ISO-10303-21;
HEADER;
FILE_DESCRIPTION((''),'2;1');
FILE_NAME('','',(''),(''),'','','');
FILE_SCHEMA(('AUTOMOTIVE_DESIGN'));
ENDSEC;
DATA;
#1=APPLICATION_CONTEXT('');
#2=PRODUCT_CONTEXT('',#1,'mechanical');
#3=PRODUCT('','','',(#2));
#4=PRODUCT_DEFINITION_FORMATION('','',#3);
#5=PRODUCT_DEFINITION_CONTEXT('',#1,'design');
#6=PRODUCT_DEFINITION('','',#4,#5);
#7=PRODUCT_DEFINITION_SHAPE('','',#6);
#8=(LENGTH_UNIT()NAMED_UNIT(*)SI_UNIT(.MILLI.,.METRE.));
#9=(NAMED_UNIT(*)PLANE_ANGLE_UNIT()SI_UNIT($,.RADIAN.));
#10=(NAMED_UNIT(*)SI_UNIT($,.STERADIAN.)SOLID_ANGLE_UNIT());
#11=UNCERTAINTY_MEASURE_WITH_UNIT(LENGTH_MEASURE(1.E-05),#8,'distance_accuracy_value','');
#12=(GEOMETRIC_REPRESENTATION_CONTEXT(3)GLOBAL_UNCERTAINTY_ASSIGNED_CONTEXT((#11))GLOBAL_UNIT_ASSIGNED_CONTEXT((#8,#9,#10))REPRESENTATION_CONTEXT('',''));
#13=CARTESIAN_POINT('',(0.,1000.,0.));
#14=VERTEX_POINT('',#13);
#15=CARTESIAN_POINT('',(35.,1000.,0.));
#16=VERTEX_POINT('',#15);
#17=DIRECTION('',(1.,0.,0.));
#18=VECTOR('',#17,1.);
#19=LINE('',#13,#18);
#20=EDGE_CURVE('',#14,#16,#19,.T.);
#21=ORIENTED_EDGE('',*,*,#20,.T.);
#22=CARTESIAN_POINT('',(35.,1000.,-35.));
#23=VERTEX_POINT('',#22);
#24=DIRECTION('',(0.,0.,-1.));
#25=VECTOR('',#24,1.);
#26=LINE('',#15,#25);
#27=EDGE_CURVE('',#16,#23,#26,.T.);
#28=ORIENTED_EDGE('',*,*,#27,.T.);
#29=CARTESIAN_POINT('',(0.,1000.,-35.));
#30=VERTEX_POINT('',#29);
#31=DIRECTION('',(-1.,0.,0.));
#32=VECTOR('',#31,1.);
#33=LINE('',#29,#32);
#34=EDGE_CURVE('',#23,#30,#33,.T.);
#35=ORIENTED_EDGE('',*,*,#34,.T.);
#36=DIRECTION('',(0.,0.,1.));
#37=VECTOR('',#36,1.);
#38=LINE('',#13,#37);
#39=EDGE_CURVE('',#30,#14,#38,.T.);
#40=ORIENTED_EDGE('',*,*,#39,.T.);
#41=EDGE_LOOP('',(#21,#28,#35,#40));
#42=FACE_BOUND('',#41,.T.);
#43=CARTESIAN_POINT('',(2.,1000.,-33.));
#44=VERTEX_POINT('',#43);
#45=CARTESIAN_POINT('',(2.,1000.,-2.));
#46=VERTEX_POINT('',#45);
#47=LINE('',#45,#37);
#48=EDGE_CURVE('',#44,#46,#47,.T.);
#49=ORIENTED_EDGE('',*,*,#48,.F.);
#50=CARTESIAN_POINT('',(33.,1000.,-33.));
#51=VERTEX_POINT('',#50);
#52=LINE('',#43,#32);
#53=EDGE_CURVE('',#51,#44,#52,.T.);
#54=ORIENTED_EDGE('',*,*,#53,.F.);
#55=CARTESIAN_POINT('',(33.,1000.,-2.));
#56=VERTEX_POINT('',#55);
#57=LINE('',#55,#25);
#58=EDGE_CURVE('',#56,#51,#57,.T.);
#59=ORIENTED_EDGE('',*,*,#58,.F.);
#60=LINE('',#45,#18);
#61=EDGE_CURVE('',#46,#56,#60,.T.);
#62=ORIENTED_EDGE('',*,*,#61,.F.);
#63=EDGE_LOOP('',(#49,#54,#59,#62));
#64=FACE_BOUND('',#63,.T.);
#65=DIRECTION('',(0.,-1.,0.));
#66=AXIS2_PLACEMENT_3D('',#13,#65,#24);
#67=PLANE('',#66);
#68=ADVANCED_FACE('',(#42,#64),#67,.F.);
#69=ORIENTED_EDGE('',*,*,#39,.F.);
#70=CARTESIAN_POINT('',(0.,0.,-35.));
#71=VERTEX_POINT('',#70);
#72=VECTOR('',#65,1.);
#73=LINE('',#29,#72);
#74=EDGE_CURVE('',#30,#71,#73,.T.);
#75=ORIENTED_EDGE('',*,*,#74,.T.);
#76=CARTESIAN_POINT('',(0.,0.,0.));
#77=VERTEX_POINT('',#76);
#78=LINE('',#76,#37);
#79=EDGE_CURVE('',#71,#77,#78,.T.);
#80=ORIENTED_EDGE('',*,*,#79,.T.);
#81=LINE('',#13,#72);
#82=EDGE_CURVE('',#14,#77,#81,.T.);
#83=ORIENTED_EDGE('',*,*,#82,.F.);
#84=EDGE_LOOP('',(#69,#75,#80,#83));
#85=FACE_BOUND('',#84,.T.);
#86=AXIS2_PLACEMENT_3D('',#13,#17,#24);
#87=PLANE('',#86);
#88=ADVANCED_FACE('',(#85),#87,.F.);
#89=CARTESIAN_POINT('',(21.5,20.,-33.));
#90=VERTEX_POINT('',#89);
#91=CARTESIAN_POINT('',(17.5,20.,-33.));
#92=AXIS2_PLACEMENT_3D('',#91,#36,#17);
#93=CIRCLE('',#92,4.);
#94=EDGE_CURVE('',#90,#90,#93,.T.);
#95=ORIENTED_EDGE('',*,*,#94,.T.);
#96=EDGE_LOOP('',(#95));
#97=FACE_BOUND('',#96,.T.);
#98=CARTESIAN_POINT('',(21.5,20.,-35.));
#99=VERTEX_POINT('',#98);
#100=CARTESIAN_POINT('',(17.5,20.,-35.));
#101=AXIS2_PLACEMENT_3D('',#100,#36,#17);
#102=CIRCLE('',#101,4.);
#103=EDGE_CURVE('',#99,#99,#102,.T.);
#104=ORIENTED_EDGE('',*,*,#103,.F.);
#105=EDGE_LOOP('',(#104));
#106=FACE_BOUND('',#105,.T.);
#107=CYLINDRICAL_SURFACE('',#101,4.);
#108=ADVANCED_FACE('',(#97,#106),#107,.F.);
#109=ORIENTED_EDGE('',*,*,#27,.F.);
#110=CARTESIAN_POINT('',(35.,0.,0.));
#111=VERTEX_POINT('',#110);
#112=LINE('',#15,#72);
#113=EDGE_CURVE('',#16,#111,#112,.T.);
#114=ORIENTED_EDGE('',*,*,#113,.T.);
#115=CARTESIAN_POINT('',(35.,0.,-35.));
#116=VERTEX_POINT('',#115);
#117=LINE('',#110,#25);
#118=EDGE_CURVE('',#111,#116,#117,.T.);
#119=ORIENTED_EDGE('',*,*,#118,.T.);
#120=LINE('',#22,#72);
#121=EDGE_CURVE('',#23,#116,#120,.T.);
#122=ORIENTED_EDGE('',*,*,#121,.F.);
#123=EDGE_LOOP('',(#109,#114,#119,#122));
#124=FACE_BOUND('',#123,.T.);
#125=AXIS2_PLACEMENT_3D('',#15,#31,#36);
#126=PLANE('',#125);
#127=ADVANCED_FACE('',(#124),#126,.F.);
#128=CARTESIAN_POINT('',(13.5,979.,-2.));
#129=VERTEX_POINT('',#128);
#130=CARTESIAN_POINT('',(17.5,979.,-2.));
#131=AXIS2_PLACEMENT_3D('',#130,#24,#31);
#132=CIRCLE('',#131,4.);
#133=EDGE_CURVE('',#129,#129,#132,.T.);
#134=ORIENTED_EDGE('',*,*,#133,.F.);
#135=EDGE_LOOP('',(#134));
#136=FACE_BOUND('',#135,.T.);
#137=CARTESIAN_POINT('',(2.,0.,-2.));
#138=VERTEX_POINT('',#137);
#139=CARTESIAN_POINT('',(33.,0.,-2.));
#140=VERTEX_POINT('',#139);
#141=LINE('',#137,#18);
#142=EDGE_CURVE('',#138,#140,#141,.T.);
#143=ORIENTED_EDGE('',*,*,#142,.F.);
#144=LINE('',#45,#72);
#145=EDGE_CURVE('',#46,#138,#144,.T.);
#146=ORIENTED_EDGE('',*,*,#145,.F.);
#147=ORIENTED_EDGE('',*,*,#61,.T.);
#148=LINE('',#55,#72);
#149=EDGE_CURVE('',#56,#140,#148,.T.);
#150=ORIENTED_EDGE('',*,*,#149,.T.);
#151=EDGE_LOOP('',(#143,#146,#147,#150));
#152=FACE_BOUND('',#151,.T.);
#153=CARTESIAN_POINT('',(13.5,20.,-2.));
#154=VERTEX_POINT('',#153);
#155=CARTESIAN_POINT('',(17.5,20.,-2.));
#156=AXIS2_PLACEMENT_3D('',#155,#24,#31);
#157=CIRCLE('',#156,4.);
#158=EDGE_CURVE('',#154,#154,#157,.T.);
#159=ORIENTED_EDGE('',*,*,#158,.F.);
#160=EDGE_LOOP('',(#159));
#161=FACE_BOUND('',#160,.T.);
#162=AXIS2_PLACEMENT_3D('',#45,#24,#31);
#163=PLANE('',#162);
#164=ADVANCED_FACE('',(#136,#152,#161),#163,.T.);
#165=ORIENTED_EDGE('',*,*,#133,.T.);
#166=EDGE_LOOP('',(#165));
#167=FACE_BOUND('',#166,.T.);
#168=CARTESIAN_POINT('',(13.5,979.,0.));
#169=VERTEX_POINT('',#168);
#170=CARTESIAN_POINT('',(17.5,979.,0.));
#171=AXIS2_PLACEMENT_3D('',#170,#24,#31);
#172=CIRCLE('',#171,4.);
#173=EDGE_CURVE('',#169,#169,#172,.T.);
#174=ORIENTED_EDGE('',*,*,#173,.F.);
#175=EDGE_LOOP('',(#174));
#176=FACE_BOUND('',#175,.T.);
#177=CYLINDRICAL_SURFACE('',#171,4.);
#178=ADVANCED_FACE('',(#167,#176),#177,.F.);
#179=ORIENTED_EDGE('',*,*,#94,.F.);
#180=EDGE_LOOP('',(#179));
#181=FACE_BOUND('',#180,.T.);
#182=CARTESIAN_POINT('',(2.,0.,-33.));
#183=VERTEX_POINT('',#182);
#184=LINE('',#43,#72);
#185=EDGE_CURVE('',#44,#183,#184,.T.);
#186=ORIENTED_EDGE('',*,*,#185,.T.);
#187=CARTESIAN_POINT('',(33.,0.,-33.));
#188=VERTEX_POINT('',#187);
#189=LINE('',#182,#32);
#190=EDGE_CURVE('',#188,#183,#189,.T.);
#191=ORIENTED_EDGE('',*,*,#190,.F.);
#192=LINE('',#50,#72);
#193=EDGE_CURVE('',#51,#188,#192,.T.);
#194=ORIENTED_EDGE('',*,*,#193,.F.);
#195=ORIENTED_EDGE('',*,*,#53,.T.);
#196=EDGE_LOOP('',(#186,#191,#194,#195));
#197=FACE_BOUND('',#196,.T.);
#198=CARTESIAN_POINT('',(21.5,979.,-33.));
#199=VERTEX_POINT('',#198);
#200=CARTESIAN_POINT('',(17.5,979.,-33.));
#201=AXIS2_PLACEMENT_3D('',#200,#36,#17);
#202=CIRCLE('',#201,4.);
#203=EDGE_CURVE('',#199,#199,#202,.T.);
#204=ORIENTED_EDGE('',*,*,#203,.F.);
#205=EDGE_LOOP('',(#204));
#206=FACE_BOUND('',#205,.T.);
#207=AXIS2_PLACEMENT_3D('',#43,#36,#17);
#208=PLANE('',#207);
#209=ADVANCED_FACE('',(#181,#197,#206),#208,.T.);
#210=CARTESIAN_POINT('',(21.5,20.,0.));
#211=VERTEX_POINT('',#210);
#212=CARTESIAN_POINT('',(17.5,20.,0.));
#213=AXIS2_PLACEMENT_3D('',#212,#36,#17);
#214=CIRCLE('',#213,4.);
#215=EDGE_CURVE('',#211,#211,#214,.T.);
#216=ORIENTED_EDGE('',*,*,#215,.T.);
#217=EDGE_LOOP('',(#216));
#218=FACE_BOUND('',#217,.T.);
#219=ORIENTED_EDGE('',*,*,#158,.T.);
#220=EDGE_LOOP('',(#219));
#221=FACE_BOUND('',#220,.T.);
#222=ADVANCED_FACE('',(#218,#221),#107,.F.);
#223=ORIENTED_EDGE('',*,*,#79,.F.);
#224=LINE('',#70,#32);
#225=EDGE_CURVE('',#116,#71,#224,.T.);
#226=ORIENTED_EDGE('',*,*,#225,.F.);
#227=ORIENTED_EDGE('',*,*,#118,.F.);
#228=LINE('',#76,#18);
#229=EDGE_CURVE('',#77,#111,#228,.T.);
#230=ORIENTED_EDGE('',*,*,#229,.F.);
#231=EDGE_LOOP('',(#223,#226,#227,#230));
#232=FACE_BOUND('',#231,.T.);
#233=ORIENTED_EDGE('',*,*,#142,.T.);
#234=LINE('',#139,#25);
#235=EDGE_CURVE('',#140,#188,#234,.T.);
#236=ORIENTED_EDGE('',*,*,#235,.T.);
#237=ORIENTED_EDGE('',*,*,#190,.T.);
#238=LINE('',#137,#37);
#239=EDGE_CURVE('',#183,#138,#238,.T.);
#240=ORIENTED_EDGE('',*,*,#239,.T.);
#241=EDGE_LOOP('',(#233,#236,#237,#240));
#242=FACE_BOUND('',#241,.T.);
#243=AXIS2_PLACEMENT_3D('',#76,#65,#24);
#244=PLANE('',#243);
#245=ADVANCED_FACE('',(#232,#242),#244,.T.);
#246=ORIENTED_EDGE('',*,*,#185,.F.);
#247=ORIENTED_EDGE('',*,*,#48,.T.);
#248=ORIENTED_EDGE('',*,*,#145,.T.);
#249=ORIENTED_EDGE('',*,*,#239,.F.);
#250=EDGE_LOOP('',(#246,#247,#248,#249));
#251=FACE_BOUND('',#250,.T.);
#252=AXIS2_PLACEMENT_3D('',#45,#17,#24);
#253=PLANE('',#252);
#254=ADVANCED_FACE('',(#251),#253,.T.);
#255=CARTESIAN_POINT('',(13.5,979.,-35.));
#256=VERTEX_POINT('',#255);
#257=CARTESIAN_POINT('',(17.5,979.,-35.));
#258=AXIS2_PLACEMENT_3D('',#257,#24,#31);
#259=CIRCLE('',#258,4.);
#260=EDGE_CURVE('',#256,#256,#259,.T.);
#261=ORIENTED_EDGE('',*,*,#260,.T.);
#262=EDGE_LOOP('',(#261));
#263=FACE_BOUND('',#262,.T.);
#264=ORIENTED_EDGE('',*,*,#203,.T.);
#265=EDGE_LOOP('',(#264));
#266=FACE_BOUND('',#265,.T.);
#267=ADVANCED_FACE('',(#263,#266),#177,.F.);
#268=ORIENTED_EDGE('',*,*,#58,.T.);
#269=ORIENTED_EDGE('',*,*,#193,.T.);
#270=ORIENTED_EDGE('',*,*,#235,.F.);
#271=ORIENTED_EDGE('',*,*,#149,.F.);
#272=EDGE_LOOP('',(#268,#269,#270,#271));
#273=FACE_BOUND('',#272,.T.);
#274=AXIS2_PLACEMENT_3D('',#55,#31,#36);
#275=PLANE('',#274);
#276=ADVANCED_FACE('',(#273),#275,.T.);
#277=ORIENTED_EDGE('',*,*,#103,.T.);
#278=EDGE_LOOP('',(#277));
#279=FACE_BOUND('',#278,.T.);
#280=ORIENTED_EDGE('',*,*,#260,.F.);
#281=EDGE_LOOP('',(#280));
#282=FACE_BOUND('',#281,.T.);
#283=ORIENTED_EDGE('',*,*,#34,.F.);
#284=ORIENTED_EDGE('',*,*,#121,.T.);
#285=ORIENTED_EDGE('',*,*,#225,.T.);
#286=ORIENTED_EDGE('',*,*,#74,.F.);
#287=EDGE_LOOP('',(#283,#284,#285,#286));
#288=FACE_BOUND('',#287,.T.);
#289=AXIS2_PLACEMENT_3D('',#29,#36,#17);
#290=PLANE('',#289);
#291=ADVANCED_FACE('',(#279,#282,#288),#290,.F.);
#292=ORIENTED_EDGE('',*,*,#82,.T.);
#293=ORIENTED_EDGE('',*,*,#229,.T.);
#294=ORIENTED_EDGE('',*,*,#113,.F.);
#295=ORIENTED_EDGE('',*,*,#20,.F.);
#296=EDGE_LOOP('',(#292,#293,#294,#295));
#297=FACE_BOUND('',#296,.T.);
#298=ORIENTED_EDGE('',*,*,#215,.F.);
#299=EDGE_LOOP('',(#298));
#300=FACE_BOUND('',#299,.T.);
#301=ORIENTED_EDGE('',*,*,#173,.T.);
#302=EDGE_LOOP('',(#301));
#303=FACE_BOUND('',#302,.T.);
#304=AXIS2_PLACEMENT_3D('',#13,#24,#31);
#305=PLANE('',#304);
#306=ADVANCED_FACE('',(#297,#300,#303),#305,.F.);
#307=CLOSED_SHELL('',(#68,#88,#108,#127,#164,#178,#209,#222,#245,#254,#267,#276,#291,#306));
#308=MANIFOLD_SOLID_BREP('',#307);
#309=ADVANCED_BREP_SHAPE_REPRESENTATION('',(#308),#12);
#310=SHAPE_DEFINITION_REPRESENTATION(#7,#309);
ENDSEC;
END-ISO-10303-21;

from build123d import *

# Parameters (mm, degrees)
CROQUIS1_W              = 35
CROQUIS1_H              = 35
CROQUIS1_W_2            = 31
CROQUIS1_H_2            = 31
SALIENTE_EXTRUIR1_DEPTH = 1000
CROQUIS2_R              = 4
CORTAR_EXTRUIR1_DEPTH   = 35
CROQUIS3_R              = 4
CORTAR_EXTRUIR2_DEPTH   = 35


with BuildPart() as part:
    # Croquis1 → Saliente-Extruir1 (new body)
    with BuildSketch(Plane(origin=(0, 0, 0), x_dir=(1, 0, 0), z_dir=(0, 1, 0))):
        with Locations((17.5, 17.5)):
            Rectangle(CROQUIS1_W, CROQUIS1_H)
        with Locations((17.5, 17.5)):
            Rectangle(CROQUIS1_W_2, CROQUIS1_H_2, mode=Mode.SUBTRACT)
    extrude(amount=SALIENTE_EXTRUIR1_DEPTH)

    # Croquis2 → Cortar-Extruir1 (cut)
    with BuildSketch(Plane.XY):
        with Locations((17.5, 20)):
            Circle(CROQUIS2_R)
    extrude(amount=-CORTAR_EXTRUIR1_DEPTH, mode=Mode.SUBTRACT)

    # Croquis3 → Cortar-Extruir2 (cut)
    with BuildSketch(Plane(origin=(0, 0, -35), x_dir=(-1, 0, 0), z_dir=(0, 0, -1))):
        with Locations((-17.5, 979)):
            Circle(CROQUIS3_R)
    extrude(amount=-CORTAR_EXTRUIR2_DEPTH, mode=Mode.SUBTRACT)


solid = part.part
